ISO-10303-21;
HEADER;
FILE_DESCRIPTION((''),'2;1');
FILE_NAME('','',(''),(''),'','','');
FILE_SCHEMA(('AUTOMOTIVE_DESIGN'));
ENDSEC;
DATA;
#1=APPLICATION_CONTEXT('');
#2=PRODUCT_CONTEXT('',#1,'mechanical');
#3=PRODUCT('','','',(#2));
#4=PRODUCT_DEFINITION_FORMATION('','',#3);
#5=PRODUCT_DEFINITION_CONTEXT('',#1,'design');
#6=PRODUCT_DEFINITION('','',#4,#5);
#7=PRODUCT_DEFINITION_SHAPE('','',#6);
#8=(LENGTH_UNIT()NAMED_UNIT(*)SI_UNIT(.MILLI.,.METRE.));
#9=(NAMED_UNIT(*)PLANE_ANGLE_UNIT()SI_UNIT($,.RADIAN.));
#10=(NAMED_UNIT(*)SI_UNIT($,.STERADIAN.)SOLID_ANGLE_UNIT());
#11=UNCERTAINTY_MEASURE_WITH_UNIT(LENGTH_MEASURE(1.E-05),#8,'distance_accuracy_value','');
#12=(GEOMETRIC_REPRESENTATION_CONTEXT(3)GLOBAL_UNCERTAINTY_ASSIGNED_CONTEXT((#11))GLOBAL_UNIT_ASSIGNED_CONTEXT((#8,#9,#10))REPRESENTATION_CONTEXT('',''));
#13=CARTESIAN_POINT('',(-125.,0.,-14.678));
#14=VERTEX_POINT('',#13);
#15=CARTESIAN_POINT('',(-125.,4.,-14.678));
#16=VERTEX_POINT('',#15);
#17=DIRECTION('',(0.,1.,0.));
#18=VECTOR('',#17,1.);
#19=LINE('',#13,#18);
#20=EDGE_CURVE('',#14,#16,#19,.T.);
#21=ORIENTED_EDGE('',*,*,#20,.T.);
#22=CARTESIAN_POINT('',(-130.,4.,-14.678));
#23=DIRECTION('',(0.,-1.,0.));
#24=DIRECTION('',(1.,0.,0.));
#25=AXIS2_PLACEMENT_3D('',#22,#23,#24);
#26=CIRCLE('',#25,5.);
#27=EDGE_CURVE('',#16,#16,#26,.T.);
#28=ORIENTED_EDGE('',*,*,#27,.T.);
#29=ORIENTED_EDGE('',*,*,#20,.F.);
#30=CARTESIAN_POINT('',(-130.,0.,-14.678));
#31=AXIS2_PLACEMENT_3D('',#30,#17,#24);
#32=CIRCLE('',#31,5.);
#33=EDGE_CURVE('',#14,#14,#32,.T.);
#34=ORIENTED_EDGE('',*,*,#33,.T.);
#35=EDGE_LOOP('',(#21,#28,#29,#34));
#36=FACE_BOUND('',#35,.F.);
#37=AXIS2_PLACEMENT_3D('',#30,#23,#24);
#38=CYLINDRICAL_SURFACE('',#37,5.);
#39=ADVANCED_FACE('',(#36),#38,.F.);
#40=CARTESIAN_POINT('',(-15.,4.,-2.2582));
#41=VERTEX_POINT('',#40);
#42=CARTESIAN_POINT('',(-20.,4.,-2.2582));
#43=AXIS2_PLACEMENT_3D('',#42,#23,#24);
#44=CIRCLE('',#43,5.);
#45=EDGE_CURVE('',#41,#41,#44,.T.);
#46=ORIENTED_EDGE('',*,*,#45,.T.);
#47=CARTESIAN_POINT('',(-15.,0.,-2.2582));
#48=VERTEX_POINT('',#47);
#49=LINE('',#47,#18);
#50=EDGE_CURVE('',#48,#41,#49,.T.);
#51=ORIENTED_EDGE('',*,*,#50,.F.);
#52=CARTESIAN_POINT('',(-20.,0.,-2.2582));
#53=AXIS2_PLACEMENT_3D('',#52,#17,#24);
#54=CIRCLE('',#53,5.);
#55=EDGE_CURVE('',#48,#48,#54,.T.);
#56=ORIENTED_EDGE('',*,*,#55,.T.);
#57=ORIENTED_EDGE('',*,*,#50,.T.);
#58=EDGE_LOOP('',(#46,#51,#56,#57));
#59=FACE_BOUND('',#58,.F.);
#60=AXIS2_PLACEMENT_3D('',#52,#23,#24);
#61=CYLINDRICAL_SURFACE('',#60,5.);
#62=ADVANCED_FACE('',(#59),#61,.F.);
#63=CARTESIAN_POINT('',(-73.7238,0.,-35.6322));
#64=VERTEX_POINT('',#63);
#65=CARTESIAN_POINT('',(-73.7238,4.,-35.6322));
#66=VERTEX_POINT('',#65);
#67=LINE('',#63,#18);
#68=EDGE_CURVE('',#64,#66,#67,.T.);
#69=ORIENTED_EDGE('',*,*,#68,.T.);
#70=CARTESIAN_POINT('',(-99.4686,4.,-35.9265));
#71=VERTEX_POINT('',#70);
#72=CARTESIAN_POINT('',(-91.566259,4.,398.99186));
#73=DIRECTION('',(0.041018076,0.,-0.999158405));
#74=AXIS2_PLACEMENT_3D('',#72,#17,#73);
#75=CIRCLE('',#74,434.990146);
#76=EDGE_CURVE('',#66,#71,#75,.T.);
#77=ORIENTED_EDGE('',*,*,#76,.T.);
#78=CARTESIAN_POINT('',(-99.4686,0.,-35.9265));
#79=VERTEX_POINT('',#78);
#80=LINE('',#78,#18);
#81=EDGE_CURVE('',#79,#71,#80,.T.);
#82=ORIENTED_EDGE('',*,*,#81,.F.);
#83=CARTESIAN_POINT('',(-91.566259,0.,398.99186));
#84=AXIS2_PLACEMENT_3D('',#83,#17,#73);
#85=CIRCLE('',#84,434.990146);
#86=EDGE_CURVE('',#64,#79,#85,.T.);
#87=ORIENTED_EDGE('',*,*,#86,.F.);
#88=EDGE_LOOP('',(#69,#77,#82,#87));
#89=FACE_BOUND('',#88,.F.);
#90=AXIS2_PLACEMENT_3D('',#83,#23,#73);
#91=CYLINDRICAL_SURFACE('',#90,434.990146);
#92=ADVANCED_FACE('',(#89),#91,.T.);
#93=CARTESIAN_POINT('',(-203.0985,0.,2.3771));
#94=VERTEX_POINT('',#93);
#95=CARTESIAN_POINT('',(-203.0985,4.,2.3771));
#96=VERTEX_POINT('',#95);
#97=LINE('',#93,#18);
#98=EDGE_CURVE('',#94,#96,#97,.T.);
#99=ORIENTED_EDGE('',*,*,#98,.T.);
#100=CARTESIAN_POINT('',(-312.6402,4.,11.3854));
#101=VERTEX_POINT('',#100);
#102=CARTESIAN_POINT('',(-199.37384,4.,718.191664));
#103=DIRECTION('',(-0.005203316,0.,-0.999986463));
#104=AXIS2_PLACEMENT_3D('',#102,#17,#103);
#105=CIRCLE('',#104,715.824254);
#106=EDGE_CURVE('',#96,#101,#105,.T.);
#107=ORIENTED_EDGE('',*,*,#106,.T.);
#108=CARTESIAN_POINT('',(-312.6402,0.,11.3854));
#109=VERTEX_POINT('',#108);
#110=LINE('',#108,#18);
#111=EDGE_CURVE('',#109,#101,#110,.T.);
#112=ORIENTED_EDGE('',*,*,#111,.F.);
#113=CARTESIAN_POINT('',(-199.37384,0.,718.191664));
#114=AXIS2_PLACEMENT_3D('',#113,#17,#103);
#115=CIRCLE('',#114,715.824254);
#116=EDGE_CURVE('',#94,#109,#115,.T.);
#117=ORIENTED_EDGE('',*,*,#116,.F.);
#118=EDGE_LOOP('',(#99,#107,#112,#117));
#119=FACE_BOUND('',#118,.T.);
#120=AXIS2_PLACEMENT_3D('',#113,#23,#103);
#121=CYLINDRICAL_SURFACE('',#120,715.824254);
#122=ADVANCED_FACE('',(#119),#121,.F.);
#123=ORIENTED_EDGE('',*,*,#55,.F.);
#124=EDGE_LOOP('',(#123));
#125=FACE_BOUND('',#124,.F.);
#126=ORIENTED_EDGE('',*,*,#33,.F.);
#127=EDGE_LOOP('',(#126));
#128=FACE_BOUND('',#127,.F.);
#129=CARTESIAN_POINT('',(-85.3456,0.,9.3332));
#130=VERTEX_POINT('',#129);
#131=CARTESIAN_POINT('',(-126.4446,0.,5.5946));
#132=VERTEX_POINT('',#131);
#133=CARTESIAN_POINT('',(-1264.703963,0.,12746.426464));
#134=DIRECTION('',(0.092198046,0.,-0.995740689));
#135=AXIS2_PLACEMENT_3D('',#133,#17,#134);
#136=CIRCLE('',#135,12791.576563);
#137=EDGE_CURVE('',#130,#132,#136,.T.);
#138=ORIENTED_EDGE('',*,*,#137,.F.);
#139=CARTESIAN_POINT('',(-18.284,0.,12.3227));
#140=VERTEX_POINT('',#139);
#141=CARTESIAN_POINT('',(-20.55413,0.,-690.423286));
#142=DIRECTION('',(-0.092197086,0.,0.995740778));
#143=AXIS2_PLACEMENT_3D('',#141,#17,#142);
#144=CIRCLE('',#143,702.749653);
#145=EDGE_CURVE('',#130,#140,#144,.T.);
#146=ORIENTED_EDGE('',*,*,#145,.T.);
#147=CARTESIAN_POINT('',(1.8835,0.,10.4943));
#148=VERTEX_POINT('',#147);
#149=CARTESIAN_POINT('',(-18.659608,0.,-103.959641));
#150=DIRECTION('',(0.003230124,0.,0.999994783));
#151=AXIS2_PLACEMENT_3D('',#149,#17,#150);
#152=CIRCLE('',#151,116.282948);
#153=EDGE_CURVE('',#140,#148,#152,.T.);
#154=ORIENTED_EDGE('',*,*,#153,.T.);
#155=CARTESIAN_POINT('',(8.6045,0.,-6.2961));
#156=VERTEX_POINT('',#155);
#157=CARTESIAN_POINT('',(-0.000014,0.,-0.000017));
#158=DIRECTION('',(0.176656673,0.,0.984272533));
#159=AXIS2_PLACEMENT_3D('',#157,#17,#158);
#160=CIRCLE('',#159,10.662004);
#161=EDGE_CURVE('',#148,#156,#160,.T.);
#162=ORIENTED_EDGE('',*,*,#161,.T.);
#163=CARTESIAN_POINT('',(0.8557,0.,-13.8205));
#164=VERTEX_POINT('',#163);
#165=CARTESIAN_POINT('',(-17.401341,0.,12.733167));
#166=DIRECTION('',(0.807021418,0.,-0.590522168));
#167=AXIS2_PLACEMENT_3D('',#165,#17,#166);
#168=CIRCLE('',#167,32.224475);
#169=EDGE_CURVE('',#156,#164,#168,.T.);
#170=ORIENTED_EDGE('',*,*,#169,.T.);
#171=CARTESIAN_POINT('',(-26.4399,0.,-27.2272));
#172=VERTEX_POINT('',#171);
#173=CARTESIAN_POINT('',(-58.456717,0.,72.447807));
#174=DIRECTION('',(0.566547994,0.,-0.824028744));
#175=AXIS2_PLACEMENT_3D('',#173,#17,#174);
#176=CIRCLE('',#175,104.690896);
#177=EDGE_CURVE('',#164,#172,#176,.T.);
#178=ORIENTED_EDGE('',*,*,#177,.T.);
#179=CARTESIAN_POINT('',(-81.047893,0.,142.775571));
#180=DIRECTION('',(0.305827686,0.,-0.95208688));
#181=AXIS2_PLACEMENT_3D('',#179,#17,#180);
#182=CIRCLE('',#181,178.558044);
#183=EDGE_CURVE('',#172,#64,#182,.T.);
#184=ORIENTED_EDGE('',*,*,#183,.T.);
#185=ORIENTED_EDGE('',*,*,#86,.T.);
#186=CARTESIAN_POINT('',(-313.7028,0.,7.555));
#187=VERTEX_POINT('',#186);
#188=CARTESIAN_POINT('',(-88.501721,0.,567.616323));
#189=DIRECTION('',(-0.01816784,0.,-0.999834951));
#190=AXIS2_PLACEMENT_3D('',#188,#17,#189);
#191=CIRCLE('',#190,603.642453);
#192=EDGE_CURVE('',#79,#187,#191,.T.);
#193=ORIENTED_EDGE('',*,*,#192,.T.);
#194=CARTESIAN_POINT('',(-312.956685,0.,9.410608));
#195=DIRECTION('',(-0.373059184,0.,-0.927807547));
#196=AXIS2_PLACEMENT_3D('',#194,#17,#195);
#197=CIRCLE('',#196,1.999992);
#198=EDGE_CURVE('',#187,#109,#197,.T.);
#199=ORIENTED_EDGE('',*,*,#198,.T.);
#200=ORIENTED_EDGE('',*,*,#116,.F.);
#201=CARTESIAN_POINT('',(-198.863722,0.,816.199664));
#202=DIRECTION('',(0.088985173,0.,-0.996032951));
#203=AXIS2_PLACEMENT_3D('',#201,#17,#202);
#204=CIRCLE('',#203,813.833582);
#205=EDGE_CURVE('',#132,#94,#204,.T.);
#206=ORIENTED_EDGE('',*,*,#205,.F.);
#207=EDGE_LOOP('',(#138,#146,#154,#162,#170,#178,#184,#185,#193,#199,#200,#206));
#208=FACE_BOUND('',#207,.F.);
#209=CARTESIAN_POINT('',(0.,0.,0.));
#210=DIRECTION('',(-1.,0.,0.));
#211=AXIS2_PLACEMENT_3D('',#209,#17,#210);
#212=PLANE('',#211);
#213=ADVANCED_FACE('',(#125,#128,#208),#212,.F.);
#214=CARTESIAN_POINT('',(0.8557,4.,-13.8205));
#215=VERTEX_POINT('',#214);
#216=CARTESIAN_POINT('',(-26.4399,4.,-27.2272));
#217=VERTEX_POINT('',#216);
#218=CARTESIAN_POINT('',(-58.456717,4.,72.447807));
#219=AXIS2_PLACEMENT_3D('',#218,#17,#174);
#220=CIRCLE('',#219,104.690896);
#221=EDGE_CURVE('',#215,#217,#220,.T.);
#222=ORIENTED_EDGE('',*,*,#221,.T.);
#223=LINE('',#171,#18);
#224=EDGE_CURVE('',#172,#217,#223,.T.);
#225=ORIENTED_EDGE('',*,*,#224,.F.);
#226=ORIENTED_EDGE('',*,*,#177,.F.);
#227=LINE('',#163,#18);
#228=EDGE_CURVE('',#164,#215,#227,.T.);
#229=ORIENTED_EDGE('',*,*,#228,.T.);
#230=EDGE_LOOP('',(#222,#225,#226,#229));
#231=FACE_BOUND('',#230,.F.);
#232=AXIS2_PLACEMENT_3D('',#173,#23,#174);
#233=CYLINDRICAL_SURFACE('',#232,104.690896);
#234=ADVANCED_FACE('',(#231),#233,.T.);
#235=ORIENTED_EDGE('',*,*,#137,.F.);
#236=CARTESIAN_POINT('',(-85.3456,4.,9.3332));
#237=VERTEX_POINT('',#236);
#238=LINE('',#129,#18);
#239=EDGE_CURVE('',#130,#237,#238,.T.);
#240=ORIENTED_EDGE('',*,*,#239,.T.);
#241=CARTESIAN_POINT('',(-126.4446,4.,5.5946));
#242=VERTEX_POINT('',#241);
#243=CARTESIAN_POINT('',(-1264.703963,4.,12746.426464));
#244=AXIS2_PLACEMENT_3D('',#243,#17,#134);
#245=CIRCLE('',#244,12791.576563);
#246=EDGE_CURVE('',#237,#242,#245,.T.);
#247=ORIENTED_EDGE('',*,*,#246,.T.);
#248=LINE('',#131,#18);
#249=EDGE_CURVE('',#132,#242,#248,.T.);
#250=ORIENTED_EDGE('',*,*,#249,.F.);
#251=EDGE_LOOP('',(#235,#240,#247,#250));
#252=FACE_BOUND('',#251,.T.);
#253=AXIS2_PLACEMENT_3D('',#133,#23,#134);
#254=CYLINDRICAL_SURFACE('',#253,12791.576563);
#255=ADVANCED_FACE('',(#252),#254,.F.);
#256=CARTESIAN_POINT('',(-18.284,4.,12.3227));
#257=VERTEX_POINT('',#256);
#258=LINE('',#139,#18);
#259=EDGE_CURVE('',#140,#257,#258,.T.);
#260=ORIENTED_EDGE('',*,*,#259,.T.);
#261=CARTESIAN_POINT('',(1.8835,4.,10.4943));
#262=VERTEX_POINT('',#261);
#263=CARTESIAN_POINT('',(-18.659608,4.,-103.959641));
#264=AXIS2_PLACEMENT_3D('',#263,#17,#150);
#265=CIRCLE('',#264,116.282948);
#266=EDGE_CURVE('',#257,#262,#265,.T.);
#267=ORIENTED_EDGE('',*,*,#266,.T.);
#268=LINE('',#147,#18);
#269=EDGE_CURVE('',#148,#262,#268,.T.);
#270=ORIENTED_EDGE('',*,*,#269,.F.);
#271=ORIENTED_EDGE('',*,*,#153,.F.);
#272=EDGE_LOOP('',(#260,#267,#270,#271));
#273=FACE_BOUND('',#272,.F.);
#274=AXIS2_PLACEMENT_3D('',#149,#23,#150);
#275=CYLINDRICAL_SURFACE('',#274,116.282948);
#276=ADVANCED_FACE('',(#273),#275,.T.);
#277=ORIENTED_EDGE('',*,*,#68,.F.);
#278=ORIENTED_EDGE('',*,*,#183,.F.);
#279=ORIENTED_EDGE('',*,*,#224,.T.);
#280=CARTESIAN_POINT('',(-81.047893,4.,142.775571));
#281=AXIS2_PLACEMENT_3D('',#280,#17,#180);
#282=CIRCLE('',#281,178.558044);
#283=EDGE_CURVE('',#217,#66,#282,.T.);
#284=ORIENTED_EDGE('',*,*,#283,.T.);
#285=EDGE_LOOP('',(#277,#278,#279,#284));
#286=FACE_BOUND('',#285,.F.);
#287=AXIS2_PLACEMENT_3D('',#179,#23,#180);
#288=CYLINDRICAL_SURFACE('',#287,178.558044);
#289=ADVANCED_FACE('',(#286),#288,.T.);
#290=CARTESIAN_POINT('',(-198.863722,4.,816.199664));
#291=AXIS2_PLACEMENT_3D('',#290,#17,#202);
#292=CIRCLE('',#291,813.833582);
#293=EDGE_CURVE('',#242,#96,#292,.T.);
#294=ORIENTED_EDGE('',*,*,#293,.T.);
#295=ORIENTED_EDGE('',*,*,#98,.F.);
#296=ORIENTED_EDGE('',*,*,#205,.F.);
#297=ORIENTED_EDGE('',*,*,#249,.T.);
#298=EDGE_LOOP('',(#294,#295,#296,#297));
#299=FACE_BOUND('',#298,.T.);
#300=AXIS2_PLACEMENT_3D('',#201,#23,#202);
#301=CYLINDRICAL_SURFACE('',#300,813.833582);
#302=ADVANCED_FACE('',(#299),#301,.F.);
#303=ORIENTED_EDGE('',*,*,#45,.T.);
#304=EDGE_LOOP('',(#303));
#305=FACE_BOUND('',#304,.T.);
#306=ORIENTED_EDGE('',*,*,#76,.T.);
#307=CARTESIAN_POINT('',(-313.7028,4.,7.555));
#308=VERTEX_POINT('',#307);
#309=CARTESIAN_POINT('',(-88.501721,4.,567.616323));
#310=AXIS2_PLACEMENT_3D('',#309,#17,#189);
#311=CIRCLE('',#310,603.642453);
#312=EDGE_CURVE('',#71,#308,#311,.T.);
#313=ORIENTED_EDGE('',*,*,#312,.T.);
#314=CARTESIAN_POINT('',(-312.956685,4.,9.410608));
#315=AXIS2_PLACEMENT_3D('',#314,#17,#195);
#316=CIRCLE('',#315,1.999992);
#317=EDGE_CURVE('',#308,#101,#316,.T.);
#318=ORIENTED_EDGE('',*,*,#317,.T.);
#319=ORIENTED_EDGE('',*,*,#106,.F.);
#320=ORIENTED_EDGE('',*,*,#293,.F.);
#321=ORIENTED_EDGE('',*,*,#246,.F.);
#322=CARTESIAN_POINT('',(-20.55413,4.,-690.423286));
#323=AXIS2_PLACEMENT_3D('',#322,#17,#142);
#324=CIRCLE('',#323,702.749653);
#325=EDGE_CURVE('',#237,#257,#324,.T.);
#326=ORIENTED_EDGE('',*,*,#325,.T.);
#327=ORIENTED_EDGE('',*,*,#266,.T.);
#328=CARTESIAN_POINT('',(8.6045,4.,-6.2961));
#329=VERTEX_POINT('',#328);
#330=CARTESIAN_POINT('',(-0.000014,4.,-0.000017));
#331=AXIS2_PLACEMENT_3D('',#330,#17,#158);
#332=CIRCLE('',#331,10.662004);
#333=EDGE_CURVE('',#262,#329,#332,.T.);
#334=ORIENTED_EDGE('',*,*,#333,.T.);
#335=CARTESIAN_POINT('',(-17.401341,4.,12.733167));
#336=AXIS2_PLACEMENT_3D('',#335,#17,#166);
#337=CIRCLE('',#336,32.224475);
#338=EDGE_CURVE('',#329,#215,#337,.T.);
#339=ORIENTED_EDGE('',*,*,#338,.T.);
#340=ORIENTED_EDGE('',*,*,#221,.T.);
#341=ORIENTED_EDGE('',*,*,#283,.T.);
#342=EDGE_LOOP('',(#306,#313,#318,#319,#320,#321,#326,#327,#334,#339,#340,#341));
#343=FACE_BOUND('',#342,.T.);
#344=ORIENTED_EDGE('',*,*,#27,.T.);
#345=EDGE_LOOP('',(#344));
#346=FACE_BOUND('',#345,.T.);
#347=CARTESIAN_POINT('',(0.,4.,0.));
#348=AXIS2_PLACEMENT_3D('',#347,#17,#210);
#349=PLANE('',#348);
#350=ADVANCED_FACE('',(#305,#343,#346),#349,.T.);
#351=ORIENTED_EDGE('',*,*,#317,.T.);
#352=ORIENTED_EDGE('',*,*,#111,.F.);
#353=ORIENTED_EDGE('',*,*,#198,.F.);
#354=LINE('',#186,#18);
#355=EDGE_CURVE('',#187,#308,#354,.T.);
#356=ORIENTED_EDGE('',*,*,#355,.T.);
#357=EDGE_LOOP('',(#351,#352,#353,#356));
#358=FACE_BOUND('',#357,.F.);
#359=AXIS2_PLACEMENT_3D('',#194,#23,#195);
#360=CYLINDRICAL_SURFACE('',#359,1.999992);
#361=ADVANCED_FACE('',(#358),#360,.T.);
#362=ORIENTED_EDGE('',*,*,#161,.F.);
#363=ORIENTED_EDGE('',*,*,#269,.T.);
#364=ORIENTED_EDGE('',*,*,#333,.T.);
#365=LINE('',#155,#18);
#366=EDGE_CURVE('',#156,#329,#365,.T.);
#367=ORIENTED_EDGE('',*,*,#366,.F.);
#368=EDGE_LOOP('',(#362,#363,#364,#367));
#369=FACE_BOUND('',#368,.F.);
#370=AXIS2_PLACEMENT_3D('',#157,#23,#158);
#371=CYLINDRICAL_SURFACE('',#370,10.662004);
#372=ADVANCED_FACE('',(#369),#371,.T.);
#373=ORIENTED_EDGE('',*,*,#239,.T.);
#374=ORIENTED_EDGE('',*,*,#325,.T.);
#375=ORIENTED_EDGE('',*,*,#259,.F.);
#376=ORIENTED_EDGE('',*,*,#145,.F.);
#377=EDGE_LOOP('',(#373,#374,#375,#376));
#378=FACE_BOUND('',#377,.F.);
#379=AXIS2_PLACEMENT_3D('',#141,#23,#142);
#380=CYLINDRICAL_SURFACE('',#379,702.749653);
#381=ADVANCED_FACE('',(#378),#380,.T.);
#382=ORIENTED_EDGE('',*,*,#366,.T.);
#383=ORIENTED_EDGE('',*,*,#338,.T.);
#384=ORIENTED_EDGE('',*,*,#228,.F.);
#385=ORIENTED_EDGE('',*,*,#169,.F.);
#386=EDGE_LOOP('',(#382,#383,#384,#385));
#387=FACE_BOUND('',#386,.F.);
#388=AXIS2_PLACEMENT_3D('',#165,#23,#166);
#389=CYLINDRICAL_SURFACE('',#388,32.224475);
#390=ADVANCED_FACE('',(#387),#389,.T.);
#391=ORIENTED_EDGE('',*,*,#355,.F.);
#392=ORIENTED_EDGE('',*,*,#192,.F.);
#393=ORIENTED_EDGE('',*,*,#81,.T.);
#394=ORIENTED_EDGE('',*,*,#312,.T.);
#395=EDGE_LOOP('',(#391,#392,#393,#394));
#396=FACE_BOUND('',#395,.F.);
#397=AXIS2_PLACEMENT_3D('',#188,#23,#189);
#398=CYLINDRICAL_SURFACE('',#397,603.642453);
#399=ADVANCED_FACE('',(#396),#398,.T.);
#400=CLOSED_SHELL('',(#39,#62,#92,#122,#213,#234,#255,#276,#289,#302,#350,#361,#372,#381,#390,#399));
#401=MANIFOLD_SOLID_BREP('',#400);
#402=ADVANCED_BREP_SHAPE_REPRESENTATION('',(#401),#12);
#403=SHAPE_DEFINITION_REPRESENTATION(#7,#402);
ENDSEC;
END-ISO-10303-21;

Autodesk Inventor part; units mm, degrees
ref_plane "YZ Plane" through (0, 0, 0) normal (1, 0, 0) x (0, 1, 0)
ref_plane "XZ Plane" through (0, 0, 0) normal (0, 1, 0) x (-1, 0, 0)
ref_plane "XY Plane" through (0, 0, 0) normal (0, 0, 1) x (1, 0, 0)
sketch "スケッチ1" plane through (0, 0, 0) normal (0, 1, 0) x (-1, 0, 0)
  arc A0 (313.7028, 7.555) -> (312.6402, 11.3854) centre (312.9567, 9.4106) ccw projected
  arc A1 (99.4686, -35.9265) -> (313.7028, 7.555) centre (88.5018, 567.6156) ccw projected
  arc A2 (73.7238, -35.6322) -> (99.4686, -35.9265) centre (91.566, 398.982) ccw projected
  arc A3 (26.4399, -27.2272) -> (73.7238, -35.6322) centre (81.048, 142.776) ccw projected
  arc A4 (-0.8557, -13.8205) -> (26.4399, -27.2272) centre (58.458, 72.45) ccw projected
  arc A5 (-8.6045, -6.2961) -> (-0.8557, -13.8205) centre (17.4, 12.732) ccw projected
  arc A6 (-1.8835, 10.4943) -> (-8.6045, -6.2961) centre (0, 0) ccw projected
  arc A7 (18.284, 12.3227) -> (-1.8835, 10.4943) centre (18.66, -103.968) ccw projected
  arc A8 (85.3456, 9.3332) -> (18.284, 12.3227) centre (20.556, -690.396) ccw projected
  arc A9 (85.3456, 9.3332) -> (126.4446, 5.5946) centre (1264.674, 12746.1) ccw projected
  arc A10 (126.4446, 5.5946) -> (203.0985, 2.3771) centre (198.864, 816.2039) ccw projected
  arc A11 (203.0985, 2.3771) -> (312.6402, 11.3854) centre (199.374, 718.188) ccw projected
extrude "押し出し1" add sketch "スケッチ1" along normal blind 4
sketch "スケッチ2" plane through (0, 0, 0) normal (0, -1, 0) x (1, 0, 0)
  circle A0 centre (-20, -2.2582) radius 5
  circle A1 centre (-130, -14.678) radius 5
  line L0 (0, 0) -> (-209.88, -23.6971)
  arc A2 (-313.7028, 7.555) -> (-99.4686, -35.9265) centre (-88.5018, 567.6156) ccw projected
  dimension "d3" = 20
  dimension "d4" = 10
  dimension "d5" = 10
  dimension "d6" = 130
  dimension "d7" = 209.88
extrude "押し出し2" cut sketch "スケッチ2" against normal through all
properties part number "plate" material "木材 (オーク)"
